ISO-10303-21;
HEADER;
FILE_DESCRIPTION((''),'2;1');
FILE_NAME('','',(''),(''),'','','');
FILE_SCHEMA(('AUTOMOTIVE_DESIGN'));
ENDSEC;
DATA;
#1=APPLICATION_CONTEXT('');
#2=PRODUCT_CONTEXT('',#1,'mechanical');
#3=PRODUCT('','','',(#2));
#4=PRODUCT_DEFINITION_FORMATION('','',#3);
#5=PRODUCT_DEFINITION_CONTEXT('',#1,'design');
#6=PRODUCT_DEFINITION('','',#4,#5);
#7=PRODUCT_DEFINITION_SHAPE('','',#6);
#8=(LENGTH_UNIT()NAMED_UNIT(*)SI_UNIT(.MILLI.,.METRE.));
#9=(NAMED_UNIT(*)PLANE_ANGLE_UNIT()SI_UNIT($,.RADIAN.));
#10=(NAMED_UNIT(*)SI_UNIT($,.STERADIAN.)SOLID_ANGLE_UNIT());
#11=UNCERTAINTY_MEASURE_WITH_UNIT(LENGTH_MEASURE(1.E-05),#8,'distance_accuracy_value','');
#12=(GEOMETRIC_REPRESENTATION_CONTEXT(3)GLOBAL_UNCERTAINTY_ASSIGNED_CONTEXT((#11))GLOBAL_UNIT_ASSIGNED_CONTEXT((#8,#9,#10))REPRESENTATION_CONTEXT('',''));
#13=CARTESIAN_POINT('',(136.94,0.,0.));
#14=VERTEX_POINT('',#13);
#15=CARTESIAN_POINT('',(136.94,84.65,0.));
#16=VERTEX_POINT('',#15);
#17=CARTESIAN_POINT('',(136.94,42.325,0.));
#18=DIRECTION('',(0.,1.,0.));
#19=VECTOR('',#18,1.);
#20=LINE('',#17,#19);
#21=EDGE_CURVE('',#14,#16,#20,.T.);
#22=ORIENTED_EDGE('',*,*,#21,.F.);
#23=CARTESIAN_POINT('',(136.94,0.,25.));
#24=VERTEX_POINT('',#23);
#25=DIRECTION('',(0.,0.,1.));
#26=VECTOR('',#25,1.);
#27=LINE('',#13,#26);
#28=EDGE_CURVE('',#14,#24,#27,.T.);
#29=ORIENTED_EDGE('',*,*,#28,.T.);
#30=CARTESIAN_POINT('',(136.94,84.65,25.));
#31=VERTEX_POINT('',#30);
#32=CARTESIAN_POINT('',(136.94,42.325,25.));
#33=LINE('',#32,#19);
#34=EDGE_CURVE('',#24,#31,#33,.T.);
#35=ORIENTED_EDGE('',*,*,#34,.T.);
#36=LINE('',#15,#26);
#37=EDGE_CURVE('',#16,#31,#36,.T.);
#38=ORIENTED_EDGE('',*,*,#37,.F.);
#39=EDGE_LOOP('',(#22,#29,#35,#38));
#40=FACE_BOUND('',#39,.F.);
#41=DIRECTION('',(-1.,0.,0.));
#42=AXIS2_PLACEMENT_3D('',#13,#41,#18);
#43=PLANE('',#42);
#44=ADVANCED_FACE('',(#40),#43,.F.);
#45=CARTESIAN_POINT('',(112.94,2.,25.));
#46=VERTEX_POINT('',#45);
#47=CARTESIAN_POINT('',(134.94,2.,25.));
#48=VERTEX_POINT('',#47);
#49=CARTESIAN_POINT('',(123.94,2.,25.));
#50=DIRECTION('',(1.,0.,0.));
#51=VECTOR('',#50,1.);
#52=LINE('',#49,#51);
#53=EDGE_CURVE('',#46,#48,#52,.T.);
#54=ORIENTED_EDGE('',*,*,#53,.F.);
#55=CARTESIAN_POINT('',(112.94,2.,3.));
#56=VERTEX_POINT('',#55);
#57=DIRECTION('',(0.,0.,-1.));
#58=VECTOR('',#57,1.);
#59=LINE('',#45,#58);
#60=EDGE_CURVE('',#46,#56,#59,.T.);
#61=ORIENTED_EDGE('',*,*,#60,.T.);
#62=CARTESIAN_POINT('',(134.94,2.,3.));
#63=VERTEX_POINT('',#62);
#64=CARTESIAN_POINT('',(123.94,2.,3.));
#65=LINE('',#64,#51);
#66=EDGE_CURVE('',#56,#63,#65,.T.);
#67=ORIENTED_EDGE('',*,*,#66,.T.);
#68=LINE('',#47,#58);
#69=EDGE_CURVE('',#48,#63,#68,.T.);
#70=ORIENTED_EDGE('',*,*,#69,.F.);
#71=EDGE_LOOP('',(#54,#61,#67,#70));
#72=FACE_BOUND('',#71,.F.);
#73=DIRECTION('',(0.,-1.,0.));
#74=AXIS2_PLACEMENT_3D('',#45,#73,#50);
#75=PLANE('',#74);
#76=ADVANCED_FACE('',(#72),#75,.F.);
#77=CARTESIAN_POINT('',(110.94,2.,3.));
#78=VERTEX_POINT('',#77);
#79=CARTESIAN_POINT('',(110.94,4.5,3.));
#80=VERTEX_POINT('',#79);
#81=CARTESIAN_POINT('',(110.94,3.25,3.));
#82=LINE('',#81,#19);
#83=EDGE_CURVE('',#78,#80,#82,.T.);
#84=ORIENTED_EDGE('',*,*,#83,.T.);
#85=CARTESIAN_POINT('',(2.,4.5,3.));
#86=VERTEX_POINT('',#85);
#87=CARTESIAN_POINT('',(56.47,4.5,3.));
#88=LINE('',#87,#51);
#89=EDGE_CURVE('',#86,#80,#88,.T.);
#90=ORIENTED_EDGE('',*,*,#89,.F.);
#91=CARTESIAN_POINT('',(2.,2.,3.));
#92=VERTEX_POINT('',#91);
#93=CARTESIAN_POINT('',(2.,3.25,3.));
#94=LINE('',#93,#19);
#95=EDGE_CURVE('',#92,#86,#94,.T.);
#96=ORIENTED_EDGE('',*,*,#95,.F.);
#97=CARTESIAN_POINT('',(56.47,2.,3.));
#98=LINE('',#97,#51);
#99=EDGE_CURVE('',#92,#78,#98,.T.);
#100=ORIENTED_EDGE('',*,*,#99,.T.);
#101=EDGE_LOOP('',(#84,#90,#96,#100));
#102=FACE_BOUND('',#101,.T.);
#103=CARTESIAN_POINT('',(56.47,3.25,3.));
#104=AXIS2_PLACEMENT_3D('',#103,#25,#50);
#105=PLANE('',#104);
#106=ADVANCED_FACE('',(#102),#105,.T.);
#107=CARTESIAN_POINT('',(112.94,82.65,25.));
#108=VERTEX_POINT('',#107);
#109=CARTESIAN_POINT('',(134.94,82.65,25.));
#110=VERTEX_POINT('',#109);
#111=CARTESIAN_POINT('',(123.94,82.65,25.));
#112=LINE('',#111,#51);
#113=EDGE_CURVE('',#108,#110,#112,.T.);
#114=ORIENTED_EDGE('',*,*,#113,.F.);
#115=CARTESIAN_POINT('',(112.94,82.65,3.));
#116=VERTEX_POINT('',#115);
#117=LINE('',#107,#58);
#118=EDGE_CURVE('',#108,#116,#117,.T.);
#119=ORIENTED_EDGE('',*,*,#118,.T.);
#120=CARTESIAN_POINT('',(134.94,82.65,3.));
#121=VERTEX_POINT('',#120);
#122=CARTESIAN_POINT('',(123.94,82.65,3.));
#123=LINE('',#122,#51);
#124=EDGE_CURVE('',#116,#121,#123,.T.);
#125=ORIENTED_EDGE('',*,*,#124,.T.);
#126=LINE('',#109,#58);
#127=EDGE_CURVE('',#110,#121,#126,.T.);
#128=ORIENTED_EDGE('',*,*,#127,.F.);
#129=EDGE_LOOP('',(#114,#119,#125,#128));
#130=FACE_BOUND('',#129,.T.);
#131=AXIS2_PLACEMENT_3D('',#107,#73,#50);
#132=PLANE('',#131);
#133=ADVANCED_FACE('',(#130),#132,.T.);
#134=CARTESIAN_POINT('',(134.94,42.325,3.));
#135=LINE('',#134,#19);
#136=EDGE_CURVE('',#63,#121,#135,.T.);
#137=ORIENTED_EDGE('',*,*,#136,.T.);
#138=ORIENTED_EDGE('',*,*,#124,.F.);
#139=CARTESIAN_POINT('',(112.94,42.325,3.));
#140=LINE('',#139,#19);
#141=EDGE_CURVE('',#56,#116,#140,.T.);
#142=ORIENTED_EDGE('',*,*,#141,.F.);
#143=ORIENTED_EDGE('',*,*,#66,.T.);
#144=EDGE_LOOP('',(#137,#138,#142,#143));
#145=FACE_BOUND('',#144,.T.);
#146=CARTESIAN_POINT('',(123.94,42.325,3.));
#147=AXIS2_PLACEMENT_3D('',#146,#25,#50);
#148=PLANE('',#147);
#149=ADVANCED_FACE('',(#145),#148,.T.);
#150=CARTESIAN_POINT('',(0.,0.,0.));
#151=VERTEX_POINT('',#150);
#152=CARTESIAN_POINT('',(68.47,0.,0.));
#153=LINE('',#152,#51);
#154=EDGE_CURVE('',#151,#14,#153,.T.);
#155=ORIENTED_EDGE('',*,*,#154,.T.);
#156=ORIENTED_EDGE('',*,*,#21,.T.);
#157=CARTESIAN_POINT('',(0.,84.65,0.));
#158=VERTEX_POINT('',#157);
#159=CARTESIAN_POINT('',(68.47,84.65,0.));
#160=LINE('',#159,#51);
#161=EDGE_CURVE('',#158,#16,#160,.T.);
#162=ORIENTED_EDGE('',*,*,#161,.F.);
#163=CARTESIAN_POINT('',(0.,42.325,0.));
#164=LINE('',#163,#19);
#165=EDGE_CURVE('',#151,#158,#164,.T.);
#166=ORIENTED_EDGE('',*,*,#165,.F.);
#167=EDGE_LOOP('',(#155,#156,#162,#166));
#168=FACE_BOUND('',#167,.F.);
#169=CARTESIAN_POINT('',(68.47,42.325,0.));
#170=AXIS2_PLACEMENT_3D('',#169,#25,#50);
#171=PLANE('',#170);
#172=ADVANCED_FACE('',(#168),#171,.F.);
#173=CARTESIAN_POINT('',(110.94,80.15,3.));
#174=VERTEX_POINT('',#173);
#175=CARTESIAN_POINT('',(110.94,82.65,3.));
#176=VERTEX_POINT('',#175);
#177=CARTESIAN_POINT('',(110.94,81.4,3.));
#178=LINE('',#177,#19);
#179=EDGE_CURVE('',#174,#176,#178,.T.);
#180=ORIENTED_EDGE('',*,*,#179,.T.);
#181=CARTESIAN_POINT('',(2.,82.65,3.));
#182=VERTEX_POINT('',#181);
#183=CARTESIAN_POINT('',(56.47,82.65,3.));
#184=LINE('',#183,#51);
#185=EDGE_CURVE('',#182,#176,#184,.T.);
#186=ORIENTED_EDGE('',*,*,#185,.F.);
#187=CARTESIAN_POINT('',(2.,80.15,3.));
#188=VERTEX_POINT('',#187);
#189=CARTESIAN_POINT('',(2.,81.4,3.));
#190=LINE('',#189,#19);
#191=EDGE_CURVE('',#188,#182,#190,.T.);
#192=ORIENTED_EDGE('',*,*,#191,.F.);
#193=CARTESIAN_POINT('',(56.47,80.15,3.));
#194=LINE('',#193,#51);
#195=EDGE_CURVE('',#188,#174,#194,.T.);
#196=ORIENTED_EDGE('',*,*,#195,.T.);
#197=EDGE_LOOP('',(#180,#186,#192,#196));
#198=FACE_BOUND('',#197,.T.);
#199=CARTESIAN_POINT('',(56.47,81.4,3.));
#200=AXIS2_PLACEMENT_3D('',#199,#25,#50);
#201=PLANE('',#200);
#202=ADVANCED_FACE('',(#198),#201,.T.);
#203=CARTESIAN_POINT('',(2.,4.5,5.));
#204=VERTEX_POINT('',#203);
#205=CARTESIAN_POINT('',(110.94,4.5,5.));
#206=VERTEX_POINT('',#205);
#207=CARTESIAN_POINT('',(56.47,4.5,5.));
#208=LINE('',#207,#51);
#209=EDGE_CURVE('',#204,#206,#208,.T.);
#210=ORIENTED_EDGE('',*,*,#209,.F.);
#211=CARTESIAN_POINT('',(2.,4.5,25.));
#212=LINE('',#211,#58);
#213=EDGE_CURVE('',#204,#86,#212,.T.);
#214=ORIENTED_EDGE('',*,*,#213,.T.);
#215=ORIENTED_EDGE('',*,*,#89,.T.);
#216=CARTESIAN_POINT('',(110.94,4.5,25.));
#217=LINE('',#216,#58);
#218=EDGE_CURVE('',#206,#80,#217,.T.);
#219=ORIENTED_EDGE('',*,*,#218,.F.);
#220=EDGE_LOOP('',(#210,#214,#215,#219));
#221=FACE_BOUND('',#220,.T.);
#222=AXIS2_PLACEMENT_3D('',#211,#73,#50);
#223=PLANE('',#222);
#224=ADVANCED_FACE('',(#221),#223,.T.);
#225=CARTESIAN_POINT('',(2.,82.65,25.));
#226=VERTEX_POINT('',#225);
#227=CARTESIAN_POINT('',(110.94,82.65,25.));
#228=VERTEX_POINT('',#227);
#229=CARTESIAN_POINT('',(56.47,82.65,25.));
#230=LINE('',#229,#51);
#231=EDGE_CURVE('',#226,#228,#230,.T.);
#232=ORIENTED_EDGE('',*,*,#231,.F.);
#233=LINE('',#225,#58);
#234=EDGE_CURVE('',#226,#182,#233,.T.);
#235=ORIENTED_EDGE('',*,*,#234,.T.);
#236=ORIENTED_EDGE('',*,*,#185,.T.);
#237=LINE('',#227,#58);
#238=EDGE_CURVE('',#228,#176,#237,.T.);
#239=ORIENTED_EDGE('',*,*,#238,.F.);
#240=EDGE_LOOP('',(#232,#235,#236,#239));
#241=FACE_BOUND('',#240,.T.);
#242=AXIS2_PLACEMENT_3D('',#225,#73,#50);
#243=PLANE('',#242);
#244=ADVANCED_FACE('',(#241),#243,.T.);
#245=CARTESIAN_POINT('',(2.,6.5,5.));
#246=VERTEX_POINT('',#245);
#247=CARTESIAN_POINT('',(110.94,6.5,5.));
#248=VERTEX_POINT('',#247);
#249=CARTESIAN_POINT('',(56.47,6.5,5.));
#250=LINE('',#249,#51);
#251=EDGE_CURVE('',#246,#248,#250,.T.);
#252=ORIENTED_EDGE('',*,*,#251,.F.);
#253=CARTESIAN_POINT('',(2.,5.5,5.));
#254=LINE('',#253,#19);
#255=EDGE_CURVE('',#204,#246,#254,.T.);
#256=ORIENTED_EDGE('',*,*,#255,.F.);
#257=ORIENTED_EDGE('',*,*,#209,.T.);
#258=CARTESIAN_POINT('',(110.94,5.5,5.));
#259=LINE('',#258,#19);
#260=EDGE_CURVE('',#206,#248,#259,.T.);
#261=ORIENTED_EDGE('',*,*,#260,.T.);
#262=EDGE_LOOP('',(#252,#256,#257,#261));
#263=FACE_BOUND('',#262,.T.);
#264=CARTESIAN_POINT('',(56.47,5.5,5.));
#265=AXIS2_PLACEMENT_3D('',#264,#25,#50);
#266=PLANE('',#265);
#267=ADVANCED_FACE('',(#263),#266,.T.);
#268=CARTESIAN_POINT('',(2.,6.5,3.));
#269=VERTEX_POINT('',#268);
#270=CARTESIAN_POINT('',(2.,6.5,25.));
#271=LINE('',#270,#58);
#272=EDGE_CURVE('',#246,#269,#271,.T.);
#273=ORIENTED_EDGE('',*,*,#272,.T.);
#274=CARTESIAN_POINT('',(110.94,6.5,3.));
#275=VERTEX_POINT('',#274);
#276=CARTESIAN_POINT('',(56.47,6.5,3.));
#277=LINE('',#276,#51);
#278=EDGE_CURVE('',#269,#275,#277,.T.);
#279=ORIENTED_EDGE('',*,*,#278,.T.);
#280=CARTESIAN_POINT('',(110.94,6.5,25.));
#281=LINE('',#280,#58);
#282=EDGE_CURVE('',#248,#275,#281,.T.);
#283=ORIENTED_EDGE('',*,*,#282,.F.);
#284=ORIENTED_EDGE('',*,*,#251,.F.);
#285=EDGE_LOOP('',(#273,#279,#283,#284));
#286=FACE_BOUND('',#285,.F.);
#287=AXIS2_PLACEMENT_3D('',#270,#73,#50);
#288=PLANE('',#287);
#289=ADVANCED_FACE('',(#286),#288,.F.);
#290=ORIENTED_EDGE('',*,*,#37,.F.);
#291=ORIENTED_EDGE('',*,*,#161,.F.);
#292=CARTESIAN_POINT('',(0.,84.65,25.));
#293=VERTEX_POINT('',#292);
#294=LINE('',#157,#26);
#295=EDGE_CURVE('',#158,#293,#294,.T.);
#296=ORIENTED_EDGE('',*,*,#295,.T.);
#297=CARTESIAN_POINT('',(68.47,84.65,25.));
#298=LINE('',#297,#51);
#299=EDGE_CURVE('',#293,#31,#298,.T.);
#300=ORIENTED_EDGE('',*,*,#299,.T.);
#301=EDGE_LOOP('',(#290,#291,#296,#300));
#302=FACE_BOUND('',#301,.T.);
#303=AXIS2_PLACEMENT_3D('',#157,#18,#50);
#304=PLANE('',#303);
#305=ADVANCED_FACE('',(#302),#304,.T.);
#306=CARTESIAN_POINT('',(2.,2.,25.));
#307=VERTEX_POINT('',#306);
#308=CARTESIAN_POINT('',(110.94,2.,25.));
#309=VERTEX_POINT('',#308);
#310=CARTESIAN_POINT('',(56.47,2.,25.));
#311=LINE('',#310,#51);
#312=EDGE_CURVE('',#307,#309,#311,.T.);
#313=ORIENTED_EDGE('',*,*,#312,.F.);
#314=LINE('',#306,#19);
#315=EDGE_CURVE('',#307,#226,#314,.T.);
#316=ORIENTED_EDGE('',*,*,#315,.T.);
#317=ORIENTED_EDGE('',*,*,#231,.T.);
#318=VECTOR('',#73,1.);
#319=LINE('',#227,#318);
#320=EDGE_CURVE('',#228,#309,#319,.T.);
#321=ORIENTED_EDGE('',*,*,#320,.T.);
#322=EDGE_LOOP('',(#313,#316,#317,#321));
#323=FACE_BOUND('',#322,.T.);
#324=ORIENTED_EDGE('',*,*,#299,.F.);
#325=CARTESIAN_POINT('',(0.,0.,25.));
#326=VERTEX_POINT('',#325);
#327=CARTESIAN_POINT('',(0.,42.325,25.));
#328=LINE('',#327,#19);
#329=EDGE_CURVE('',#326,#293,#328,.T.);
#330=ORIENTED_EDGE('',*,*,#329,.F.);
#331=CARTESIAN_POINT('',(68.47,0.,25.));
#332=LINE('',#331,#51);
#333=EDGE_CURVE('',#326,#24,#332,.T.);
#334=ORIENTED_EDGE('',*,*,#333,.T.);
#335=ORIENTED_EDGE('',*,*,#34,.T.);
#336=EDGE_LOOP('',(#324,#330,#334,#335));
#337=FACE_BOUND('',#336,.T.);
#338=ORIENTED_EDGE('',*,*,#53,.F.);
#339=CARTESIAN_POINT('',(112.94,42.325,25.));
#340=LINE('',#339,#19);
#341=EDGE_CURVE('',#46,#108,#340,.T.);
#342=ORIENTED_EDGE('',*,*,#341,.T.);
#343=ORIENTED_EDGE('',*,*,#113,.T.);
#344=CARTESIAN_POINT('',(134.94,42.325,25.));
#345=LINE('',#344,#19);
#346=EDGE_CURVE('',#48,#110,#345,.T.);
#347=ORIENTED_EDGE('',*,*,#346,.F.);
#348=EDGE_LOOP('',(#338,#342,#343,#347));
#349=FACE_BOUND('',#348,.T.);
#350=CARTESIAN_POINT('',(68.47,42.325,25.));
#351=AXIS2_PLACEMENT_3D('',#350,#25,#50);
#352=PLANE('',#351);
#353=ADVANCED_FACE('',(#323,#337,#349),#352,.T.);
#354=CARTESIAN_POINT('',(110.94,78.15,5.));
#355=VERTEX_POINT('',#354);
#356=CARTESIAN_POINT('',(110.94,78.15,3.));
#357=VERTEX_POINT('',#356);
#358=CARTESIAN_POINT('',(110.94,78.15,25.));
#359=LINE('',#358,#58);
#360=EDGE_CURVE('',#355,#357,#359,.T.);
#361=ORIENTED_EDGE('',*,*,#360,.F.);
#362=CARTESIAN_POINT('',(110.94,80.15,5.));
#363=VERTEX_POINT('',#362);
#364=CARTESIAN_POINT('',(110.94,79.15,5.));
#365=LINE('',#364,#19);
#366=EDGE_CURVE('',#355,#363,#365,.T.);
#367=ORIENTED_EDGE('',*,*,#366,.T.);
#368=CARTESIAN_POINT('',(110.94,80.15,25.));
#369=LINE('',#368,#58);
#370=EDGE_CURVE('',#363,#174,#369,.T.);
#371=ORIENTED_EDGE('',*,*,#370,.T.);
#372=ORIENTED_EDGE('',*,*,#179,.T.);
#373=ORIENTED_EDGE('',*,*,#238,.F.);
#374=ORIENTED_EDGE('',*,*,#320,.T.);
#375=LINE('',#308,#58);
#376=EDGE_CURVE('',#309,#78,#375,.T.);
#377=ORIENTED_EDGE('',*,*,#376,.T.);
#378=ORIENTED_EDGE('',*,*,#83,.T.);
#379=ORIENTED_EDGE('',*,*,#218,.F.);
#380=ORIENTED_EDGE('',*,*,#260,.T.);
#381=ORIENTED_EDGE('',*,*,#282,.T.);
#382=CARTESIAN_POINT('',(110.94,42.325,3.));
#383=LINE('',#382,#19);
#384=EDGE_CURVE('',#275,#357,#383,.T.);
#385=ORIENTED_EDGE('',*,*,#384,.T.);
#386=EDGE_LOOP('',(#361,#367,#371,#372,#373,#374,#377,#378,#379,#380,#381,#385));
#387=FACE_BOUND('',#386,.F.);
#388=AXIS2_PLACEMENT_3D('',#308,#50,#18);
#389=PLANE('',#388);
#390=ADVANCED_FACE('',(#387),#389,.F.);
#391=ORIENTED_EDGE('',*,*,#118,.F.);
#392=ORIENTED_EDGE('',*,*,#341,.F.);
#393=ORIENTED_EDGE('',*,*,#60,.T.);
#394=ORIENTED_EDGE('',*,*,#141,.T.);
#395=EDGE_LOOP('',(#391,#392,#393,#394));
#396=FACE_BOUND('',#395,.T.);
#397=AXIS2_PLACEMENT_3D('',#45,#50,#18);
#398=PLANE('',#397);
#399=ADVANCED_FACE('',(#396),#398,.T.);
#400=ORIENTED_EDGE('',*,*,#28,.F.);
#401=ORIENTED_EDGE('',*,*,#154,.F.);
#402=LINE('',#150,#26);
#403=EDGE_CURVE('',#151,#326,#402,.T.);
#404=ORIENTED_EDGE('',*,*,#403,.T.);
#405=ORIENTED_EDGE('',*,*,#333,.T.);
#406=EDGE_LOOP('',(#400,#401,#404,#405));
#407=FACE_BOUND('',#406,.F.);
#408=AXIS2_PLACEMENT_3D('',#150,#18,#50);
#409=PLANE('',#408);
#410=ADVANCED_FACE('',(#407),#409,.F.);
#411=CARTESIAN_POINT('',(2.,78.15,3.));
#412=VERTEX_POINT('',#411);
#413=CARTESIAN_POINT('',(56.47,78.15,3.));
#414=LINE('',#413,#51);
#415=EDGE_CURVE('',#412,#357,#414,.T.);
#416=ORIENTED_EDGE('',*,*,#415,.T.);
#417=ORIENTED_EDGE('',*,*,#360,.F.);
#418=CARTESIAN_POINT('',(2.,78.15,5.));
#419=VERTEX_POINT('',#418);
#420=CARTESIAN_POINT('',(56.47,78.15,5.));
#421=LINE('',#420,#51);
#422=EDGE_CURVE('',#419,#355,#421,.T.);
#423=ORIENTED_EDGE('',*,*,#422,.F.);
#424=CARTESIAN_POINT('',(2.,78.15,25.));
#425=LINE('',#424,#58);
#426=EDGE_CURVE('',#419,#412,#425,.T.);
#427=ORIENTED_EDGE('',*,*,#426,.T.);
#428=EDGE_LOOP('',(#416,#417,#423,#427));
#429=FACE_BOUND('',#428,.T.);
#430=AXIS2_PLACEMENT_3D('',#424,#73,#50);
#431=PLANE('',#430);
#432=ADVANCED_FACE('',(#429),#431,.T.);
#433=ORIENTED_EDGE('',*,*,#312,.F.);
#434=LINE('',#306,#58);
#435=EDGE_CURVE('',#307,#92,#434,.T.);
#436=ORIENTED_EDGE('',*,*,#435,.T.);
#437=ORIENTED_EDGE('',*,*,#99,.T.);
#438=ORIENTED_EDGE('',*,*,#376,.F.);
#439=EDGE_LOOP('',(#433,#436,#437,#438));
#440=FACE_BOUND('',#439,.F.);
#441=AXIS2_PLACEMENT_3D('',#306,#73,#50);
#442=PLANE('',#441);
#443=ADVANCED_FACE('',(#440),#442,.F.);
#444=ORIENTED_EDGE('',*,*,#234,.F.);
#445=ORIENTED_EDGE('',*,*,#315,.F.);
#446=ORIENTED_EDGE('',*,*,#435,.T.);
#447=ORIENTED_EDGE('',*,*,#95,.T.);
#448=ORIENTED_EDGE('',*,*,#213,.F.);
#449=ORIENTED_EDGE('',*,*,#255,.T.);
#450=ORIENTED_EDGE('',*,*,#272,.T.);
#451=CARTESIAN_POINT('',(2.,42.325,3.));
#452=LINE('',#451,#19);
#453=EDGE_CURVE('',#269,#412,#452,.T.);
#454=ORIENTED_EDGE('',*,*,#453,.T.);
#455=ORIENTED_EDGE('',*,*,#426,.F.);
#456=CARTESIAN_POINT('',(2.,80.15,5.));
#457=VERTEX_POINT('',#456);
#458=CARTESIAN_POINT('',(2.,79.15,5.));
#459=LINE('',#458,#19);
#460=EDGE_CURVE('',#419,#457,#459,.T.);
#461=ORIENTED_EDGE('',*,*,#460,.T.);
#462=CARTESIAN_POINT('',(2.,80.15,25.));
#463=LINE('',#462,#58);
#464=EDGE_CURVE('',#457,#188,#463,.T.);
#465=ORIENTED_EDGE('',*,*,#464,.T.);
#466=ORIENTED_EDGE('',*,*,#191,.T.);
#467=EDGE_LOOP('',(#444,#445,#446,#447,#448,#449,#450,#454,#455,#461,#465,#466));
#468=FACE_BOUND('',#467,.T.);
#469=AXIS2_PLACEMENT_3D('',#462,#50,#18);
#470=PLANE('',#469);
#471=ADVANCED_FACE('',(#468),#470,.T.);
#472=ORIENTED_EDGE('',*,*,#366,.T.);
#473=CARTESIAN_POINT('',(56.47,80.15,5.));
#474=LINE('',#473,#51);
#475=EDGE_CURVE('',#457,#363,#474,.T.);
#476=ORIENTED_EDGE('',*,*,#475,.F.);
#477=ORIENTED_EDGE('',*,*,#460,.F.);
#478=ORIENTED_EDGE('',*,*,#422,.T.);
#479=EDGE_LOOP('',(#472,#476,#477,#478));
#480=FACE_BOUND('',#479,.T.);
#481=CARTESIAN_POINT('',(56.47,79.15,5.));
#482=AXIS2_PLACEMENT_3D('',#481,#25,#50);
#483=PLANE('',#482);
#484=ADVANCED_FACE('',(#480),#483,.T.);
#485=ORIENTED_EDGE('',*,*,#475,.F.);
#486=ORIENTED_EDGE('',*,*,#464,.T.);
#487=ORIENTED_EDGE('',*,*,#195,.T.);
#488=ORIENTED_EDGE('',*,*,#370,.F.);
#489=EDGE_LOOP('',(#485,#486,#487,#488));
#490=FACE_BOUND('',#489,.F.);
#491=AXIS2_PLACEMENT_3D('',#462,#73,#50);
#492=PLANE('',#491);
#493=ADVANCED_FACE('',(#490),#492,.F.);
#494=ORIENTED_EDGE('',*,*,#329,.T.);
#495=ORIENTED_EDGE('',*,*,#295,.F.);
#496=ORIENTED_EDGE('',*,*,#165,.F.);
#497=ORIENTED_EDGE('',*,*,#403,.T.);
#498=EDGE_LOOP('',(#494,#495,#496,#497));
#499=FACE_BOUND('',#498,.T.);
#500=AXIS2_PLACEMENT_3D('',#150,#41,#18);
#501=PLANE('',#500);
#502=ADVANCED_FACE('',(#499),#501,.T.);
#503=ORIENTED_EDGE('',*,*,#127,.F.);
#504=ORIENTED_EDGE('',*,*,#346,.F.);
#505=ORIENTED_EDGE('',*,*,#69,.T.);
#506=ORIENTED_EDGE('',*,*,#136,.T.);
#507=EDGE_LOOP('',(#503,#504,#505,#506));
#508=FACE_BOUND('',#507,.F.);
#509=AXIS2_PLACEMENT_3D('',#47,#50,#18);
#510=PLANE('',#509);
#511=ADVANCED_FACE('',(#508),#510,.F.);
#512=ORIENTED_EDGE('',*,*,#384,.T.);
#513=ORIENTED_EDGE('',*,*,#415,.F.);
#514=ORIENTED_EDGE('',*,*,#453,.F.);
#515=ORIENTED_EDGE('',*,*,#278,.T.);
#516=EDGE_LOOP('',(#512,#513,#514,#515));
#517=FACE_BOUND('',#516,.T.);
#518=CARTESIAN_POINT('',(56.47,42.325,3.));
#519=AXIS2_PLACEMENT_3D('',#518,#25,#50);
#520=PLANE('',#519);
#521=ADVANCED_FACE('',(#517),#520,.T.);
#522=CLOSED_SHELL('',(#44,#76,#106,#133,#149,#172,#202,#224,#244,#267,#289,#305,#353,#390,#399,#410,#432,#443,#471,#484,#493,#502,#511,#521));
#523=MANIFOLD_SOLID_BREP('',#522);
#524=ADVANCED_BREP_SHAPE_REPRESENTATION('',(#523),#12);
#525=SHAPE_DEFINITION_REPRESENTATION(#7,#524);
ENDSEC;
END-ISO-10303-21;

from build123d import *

# Parameters (mm, degrees)
F0_W     = 136.94
F0_H     = 84.65
F1_DEPTH = 25
F2_W     = 108.94
F2_H     = 71.65
F2_H_2   = 2.5
F3_DEPTH = 22
F4_W     = 22
F4_H     = 80.65
F5_DEPTH = 22
F6_W     = 108.94
F6_H     = 2
F7_DEPTH = 20


with BuildPart() as f1:
    # F0 (on Top) → F1 (new body)
    with BuildSketch(Plane.XY):
        with Locations((68.47, 42.325)):
            Rectangle(F0_W, F0_H)
    extrude(amount=F1_DEPTH)

    # F2 (on face) → F3 (cut)
    with BuildSketch(Plane.XY.offset(25)):
        with Locations((56.47, 42.325)):
            Rectangle(F2_W, F2_H)
        with Locations((56.47, 3.25)):
            Rectangle(F2_W, F2_H_2)
        with Locations((56.47, 81.4)):
            Rectangle(F2_W, F2_H_2)
    extrude(amount=-F3_DEPTH, mode=Mode.SUBTRACT)

    # F4 (on face) → F5 (cut)
    with BuildSketch(Plane.XY.offset(25)):
        with Locations((123.94, 42.325)):
            Rectangle(F4_W, F4_H)
    extrude(amount=-F5_DEPTH, mode=Mode.SUBTRACT)

    # F6 (on face) → F7 (cut)
    with BuildSketch(Plane.XY.offset(25)):
        with Locations((56.47, 79.15)):
            Rectangle(F6_W, F6_H)
        with Locations((56.47, 5.5)):
            Rectangle(F6_W, F6_H)
    extrude(amount=-F7_DEPTH, mode=Mode.SUBTRACT)


solid = f1.part
